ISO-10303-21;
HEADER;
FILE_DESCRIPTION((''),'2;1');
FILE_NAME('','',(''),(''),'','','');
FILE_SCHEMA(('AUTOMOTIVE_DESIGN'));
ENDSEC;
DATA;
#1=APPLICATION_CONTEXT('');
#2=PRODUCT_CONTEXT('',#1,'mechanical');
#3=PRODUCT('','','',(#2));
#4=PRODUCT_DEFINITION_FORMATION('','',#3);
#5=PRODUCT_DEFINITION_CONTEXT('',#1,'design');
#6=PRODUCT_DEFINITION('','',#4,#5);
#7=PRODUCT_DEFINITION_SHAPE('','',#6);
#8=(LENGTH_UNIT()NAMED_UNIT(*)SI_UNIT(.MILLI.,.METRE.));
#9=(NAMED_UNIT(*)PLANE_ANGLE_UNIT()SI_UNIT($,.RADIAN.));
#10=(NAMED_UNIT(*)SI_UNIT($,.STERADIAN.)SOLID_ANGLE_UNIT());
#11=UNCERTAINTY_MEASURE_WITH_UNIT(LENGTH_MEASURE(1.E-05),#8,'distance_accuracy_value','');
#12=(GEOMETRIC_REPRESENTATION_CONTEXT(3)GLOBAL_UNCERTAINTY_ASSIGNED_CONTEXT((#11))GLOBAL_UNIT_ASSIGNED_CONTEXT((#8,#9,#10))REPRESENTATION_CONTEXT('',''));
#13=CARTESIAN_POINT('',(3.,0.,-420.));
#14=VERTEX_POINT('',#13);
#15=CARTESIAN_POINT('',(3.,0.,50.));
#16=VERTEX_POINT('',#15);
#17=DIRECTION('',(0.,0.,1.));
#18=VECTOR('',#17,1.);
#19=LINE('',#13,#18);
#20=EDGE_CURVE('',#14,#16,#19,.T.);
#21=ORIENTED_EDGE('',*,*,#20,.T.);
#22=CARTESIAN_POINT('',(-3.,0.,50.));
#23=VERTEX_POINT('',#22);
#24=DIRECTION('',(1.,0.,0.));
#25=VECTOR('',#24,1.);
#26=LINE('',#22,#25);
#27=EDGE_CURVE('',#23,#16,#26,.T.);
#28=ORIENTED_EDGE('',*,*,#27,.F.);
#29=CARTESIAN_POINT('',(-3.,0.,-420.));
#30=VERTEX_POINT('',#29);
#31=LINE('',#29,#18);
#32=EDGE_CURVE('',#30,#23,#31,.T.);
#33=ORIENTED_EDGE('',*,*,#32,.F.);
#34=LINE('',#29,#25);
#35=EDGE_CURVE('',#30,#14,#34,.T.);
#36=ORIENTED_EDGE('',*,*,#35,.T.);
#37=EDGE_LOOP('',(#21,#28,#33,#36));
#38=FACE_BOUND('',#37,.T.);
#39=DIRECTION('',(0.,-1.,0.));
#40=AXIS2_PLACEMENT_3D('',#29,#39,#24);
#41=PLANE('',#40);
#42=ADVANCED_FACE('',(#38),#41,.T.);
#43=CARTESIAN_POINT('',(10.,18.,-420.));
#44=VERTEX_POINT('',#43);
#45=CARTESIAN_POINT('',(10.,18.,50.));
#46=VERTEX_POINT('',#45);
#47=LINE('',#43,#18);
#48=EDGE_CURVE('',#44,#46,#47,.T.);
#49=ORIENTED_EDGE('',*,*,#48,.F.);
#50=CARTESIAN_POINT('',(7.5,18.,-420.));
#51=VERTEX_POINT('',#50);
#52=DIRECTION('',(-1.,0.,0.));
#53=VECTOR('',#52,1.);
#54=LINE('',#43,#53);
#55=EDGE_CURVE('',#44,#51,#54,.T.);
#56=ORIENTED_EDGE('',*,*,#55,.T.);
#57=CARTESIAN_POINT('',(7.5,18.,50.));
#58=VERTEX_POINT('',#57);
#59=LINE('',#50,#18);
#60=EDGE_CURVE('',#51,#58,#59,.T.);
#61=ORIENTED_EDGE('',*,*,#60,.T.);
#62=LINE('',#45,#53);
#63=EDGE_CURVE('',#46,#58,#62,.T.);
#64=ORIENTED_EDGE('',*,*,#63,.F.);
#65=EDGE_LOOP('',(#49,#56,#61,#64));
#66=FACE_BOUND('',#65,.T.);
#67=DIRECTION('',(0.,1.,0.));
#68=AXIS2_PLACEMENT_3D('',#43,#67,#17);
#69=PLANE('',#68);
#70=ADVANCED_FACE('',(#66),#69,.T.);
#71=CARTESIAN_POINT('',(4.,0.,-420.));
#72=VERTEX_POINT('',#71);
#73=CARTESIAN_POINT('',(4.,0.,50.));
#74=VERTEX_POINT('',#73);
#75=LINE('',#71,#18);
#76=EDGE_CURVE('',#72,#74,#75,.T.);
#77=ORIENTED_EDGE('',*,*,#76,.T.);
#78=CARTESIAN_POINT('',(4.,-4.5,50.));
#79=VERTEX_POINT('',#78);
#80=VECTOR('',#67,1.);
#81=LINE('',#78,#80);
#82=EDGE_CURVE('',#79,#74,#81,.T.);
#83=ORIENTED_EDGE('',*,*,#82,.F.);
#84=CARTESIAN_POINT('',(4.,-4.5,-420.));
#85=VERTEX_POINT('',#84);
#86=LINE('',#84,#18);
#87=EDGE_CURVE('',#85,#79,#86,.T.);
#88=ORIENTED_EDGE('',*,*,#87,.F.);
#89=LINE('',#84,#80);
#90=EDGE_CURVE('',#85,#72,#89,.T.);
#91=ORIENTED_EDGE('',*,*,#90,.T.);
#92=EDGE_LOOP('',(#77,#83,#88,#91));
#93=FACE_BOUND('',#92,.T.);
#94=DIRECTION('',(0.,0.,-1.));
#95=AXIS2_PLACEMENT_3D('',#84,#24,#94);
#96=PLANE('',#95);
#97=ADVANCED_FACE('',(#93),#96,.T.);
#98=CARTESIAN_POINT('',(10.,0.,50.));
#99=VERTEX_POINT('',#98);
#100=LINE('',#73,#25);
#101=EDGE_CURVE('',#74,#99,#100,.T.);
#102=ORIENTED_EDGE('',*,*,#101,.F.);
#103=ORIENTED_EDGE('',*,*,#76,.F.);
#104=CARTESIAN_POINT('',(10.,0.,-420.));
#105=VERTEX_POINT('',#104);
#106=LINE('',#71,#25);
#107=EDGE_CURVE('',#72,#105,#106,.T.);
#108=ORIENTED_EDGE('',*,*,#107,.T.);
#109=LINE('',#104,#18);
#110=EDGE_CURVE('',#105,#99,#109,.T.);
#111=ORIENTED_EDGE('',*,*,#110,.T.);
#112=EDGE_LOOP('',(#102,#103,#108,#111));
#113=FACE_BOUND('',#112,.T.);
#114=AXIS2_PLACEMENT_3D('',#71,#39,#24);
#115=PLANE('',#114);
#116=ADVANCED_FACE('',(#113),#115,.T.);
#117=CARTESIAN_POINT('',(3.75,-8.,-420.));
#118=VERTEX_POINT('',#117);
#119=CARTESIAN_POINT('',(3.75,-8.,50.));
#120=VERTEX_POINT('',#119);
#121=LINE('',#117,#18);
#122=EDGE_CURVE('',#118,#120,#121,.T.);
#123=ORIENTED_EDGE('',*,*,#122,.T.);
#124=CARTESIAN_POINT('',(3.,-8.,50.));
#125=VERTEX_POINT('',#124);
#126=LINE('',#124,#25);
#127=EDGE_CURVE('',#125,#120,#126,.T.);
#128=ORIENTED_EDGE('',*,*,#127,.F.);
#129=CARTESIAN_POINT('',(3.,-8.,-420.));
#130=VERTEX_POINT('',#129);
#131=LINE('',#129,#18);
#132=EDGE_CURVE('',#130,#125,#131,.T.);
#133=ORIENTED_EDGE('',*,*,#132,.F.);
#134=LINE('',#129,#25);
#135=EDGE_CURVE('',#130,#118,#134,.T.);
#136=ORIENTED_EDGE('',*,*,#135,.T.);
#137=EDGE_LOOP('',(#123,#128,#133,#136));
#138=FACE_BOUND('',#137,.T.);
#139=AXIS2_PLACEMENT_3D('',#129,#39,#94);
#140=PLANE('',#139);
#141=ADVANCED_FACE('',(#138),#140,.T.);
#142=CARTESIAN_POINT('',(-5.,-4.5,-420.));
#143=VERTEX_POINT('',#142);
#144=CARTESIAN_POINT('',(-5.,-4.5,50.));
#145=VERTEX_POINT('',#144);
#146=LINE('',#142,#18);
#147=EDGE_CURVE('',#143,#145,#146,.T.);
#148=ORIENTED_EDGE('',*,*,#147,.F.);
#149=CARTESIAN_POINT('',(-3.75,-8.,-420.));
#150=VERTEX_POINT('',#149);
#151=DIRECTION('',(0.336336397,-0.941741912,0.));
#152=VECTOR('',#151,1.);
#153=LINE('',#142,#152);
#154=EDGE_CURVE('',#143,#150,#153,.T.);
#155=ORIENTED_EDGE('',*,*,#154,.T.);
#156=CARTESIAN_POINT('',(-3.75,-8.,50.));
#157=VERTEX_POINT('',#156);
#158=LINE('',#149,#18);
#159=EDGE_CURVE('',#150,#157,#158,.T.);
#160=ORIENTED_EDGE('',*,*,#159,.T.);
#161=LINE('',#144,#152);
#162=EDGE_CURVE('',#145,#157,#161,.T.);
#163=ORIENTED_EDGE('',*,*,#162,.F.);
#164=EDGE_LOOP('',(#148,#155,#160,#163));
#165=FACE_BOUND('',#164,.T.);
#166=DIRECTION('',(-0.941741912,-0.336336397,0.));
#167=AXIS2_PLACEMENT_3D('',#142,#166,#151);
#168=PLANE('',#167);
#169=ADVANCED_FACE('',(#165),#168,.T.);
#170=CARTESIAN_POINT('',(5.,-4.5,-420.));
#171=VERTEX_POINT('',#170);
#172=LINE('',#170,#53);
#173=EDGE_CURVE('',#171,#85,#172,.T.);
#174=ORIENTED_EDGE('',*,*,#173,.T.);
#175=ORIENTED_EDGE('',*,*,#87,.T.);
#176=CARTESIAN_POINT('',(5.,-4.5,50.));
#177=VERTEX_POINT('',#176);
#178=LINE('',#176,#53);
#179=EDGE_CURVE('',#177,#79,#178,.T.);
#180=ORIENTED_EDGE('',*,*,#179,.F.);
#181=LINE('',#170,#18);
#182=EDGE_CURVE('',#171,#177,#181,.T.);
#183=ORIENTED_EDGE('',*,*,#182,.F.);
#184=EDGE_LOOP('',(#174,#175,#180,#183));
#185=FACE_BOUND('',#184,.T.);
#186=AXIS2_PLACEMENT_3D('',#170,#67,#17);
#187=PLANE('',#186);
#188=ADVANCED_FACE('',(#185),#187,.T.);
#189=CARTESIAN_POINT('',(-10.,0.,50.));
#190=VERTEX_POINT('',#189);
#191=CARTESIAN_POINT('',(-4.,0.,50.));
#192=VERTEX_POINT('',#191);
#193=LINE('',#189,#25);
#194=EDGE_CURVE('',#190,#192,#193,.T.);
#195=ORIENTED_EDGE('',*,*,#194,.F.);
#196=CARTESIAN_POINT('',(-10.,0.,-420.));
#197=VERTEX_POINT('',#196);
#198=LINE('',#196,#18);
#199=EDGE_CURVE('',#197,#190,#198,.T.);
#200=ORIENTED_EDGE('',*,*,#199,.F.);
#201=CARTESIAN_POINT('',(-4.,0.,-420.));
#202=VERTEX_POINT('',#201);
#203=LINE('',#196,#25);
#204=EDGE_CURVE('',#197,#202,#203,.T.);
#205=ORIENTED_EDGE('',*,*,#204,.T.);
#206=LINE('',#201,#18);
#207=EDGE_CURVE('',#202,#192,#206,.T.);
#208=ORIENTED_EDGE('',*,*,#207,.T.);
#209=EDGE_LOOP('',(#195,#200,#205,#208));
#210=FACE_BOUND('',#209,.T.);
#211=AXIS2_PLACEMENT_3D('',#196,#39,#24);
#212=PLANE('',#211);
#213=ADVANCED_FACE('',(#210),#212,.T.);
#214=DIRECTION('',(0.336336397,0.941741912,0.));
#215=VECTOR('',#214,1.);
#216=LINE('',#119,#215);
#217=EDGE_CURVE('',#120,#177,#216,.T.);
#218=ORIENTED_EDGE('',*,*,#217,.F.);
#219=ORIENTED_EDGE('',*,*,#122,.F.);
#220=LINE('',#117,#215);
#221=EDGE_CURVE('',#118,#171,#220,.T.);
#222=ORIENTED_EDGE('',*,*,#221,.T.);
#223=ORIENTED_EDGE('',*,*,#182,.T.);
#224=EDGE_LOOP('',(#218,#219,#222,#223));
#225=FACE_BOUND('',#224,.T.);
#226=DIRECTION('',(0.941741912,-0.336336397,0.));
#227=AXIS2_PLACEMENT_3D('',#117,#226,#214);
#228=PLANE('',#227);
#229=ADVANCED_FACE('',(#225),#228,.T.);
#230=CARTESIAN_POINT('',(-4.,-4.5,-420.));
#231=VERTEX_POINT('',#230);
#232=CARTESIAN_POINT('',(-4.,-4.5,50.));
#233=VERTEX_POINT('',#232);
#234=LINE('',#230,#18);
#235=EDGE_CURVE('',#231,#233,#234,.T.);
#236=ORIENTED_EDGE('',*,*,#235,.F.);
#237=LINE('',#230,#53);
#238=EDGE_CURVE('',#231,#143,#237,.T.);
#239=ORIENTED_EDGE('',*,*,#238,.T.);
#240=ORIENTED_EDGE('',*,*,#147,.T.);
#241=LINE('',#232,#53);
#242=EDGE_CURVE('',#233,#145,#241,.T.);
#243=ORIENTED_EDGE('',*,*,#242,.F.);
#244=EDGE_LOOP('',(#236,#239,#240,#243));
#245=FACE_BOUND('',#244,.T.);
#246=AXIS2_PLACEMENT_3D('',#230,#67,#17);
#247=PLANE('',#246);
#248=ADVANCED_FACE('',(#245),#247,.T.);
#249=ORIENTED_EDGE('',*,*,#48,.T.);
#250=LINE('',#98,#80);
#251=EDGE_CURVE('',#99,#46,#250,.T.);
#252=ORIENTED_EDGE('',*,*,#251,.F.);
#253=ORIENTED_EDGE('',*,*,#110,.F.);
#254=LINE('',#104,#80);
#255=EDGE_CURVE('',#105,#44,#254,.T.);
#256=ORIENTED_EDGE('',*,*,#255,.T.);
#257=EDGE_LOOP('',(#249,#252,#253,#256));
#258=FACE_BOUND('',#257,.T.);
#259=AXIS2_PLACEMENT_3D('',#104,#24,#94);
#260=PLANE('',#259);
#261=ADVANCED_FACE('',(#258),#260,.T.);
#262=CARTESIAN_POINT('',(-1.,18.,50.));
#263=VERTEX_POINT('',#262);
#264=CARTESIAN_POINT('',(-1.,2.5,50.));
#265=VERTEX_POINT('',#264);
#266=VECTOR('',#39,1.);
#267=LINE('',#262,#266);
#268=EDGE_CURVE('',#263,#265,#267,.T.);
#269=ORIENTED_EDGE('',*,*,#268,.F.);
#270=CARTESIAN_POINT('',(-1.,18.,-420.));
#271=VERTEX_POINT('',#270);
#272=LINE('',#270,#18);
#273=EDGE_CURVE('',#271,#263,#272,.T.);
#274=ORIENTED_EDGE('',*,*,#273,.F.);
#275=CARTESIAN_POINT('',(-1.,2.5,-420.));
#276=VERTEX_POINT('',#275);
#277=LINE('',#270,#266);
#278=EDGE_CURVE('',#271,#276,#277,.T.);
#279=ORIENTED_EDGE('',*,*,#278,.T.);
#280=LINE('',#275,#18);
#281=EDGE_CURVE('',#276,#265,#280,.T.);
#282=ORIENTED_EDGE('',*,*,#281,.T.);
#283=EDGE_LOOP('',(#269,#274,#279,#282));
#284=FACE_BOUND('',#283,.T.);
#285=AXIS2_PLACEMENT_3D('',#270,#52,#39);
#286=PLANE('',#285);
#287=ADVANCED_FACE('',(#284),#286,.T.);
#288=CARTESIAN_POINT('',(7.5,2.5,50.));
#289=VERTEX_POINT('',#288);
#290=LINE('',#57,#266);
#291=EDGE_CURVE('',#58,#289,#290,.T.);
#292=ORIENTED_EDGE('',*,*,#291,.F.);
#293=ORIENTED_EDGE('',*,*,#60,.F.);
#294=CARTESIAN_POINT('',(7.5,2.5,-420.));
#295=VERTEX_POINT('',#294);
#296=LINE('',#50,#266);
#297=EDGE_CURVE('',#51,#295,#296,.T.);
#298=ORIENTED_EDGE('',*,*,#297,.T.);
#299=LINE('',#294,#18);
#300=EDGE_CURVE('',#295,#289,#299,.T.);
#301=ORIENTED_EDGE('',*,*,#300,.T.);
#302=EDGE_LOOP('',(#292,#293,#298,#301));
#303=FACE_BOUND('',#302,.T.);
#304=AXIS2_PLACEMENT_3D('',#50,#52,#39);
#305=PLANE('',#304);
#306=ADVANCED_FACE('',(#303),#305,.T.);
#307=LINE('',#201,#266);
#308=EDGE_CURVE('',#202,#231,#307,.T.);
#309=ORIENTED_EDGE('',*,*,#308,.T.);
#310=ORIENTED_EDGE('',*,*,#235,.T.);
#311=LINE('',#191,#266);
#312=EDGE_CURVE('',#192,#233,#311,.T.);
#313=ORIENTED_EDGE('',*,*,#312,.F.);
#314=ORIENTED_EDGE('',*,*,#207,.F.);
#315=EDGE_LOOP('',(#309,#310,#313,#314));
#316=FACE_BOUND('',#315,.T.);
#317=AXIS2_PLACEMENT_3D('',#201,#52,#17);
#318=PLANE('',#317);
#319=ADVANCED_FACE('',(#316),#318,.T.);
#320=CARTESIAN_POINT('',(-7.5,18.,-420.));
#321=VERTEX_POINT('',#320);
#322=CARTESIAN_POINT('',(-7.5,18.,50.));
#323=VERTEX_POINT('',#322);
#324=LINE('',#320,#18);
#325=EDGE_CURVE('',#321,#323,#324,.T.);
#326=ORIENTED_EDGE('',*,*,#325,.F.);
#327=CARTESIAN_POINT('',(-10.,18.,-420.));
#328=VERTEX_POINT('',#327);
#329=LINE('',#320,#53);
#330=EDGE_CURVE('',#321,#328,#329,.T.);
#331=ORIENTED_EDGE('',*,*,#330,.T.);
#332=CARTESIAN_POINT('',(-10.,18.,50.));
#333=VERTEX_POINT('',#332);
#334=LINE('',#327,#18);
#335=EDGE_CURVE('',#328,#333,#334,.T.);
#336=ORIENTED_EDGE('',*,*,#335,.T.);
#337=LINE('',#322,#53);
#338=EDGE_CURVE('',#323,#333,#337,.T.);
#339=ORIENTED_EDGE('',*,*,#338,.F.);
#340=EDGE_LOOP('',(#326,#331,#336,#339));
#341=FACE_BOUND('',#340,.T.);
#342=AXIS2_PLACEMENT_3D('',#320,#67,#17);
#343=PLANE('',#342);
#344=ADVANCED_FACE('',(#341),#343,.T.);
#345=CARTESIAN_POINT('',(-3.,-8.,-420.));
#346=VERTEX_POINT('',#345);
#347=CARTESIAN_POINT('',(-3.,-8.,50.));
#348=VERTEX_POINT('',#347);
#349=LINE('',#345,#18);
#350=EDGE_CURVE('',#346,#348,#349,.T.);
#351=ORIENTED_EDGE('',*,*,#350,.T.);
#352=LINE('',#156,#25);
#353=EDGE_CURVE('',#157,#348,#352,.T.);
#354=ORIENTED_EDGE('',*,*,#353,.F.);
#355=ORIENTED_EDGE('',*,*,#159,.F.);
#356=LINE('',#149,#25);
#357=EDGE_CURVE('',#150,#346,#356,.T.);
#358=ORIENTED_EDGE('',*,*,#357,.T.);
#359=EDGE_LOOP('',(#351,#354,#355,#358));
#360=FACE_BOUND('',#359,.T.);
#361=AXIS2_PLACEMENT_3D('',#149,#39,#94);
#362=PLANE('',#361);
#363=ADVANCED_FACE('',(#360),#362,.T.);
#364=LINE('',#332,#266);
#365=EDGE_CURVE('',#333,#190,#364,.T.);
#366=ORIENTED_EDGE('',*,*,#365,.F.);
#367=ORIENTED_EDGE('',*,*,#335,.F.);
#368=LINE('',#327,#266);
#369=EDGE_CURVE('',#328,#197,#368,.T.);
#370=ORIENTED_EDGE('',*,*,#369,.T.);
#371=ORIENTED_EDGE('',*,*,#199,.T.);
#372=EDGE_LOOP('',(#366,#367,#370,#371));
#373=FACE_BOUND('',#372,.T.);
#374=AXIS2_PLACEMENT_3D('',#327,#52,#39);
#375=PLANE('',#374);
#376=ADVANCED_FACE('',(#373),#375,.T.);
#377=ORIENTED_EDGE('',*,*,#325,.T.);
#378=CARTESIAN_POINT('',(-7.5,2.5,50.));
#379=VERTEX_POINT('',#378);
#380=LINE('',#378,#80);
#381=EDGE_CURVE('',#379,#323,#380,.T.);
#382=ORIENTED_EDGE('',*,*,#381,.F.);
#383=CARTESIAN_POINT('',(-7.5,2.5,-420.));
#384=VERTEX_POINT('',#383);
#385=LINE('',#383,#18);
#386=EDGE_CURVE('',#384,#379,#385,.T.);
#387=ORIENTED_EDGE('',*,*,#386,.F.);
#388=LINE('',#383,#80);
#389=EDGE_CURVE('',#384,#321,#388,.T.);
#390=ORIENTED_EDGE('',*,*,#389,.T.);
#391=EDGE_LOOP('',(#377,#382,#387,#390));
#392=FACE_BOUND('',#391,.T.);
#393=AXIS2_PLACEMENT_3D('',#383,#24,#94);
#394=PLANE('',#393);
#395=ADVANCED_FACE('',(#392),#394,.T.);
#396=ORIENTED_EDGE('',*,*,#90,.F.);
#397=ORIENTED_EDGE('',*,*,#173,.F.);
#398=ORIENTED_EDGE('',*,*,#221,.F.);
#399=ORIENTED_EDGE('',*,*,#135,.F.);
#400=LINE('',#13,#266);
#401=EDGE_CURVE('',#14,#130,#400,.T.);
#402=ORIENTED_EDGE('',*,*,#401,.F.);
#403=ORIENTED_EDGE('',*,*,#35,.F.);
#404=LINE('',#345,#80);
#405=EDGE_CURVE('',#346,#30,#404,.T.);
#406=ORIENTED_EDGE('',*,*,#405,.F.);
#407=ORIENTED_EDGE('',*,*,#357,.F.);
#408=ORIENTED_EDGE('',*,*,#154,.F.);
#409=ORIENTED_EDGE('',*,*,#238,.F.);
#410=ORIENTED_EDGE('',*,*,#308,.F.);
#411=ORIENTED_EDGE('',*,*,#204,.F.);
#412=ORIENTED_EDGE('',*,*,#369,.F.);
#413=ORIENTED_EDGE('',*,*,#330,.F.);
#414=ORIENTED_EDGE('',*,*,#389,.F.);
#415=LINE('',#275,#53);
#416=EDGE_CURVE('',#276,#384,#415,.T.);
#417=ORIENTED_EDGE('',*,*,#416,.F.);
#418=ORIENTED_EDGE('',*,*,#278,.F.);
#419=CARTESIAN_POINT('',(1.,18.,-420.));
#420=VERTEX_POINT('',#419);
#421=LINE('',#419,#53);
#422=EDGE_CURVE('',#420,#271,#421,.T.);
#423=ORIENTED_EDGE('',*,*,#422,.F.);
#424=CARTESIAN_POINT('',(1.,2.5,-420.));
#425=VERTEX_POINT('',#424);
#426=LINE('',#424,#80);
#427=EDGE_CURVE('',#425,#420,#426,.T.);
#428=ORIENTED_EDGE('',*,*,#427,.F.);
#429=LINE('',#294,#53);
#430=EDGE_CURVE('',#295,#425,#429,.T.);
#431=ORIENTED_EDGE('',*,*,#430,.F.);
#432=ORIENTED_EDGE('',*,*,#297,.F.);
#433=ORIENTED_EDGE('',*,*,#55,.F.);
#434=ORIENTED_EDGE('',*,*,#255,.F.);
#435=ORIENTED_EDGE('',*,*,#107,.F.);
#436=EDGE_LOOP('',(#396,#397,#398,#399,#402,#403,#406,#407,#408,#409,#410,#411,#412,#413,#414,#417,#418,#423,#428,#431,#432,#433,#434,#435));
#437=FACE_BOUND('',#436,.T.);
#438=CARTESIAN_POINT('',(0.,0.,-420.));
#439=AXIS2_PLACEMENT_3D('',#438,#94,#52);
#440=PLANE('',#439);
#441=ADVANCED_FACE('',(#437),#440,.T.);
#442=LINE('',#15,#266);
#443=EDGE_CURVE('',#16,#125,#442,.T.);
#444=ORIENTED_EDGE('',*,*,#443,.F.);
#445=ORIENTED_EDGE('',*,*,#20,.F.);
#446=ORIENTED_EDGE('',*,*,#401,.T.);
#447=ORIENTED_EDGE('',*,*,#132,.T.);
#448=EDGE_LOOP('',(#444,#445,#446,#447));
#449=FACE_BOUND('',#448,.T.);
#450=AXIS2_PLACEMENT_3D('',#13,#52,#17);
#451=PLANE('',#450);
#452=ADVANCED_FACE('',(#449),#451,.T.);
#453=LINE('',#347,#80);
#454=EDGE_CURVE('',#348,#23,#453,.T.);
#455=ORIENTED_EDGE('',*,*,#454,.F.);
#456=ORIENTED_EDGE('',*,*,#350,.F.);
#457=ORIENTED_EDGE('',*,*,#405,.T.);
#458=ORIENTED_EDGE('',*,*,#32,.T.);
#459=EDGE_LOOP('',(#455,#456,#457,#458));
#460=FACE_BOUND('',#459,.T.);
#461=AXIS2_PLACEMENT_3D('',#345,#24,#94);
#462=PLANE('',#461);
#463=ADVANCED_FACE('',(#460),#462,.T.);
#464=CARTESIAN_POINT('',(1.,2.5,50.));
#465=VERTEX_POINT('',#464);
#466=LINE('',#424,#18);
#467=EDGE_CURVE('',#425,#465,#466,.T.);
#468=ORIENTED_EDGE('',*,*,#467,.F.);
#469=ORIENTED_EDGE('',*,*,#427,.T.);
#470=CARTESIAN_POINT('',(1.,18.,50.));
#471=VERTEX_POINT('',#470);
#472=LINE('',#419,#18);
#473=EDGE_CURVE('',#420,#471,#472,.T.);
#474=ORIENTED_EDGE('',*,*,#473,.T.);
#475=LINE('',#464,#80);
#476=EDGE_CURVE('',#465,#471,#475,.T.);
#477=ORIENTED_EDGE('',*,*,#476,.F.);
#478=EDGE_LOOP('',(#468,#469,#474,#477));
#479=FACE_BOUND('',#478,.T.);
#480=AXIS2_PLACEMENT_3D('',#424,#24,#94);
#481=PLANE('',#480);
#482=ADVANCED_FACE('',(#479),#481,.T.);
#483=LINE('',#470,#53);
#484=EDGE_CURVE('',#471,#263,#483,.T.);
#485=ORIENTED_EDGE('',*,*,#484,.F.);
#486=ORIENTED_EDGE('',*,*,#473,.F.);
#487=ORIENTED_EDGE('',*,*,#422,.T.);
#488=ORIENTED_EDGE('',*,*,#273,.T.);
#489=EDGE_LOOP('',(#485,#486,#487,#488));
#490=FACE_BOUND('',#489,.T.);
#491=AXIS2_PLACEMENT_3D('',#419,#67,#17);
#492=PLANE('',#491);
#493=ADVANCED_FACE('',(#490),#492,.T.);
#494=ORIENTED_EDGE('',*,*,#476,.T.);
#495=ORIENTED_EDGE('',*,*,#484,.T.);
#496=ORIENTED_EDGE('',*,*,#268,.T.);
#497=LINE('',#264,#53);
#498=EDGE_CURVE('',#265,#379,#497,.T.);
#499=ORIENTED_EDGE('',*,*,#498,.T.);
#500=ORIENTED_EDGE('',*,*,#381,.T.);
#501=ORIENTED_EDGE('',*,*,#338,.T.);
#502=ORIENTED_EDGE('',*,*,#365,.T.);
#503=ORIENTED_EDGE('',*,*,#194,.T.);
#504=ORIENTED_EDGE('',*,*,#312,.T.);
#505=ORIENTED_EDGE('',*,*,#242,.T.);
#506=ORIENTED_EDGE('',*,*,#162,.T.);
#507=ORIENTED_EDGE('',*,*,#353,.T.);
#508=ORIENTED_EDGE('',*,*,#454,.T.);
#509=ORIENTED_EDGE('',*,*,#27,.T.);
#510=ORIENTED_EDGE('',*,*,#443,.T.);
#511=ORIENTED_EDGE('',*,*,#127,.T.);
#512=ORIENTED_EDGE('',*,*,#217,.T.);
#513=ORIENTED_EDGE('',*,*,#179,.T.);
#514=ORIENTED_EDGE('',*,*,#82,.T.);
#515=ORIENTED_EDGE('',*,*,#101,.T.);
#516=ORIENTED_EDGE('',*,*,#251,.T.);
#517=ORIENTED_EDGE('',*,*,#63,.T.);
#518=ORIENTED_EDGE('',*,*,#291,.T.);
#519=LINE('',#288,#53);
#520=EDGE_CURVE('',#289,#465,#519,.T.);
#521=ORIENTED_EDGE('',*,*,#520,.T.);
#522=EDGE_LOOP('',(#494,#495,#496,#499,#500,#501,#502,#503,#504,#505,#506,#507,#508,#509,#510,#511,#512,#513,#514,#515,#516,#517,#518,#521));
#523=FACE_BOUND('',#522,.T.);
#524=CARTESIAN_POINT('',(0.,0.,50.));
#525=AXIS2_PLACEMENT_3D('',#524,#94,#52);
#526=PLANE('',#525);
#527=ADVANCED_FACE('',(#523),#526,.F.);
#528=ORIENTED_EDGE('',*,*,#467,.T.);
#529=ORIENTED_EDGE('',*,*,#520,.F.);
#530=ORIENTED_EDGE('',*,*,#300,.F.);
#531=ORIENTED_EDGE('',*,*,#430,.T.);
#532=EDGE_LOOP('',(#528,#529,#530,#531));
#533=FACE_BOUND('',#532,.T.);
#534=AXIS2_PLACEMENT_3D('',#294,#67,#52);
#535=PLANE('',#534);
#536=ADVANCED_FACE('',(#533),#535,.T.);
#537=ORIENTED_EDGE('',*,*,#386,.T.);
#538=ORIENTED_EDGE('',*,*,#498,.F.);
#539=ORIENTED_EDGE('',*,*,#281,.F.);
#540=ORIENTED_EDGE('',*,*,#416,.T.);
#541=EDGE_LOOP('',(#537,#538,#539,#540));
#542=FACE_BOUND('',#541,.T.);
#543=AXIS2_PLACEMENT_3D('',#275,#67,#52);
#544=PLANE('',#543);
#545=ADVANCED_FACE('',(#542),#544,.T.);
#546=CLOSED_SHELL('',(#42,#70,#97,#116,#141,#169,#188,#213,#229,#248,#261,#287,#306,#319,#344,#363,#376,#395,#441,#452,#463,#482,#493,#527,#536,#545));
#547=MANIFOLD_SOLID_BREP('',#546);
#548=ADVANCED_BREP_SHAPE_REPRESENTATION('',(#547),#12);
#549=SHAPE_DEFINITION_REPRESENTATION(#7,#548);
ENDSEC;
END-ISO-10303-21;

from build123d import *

# Parameters (mm, degrees)
BOSS_EXTRU_1_DEPTH = 470


with BuildPart() as part:
    # Esquisse1 → Boss.-Extru.1 (new body)
    with BuildSketch(Plane.XY.offset(50)):
        Polygon((-1, 2.5), (-7.5, 2.5), (-7.5, 17.999999998), (-10, 17.999999998), (-10, 0), (-4, 0), (-4, -4.5), (-5, -4.5), (-3.75, -8), (-3, -8), (-3, 0), (3, 0), (3, -8), (3.75, -8), (5, -4.5), (4, -4.5), (4, 0), (10, 0), (10, 17.999999998), (7.5, 17.999999998), (7.5, 2.5), (1, 2.5), (1, 17.999999998), (-1, 17.999999998), align=None)
    extrude(amount=-BOSS_EXTRU_1_DEPTH)


solid = part.part
